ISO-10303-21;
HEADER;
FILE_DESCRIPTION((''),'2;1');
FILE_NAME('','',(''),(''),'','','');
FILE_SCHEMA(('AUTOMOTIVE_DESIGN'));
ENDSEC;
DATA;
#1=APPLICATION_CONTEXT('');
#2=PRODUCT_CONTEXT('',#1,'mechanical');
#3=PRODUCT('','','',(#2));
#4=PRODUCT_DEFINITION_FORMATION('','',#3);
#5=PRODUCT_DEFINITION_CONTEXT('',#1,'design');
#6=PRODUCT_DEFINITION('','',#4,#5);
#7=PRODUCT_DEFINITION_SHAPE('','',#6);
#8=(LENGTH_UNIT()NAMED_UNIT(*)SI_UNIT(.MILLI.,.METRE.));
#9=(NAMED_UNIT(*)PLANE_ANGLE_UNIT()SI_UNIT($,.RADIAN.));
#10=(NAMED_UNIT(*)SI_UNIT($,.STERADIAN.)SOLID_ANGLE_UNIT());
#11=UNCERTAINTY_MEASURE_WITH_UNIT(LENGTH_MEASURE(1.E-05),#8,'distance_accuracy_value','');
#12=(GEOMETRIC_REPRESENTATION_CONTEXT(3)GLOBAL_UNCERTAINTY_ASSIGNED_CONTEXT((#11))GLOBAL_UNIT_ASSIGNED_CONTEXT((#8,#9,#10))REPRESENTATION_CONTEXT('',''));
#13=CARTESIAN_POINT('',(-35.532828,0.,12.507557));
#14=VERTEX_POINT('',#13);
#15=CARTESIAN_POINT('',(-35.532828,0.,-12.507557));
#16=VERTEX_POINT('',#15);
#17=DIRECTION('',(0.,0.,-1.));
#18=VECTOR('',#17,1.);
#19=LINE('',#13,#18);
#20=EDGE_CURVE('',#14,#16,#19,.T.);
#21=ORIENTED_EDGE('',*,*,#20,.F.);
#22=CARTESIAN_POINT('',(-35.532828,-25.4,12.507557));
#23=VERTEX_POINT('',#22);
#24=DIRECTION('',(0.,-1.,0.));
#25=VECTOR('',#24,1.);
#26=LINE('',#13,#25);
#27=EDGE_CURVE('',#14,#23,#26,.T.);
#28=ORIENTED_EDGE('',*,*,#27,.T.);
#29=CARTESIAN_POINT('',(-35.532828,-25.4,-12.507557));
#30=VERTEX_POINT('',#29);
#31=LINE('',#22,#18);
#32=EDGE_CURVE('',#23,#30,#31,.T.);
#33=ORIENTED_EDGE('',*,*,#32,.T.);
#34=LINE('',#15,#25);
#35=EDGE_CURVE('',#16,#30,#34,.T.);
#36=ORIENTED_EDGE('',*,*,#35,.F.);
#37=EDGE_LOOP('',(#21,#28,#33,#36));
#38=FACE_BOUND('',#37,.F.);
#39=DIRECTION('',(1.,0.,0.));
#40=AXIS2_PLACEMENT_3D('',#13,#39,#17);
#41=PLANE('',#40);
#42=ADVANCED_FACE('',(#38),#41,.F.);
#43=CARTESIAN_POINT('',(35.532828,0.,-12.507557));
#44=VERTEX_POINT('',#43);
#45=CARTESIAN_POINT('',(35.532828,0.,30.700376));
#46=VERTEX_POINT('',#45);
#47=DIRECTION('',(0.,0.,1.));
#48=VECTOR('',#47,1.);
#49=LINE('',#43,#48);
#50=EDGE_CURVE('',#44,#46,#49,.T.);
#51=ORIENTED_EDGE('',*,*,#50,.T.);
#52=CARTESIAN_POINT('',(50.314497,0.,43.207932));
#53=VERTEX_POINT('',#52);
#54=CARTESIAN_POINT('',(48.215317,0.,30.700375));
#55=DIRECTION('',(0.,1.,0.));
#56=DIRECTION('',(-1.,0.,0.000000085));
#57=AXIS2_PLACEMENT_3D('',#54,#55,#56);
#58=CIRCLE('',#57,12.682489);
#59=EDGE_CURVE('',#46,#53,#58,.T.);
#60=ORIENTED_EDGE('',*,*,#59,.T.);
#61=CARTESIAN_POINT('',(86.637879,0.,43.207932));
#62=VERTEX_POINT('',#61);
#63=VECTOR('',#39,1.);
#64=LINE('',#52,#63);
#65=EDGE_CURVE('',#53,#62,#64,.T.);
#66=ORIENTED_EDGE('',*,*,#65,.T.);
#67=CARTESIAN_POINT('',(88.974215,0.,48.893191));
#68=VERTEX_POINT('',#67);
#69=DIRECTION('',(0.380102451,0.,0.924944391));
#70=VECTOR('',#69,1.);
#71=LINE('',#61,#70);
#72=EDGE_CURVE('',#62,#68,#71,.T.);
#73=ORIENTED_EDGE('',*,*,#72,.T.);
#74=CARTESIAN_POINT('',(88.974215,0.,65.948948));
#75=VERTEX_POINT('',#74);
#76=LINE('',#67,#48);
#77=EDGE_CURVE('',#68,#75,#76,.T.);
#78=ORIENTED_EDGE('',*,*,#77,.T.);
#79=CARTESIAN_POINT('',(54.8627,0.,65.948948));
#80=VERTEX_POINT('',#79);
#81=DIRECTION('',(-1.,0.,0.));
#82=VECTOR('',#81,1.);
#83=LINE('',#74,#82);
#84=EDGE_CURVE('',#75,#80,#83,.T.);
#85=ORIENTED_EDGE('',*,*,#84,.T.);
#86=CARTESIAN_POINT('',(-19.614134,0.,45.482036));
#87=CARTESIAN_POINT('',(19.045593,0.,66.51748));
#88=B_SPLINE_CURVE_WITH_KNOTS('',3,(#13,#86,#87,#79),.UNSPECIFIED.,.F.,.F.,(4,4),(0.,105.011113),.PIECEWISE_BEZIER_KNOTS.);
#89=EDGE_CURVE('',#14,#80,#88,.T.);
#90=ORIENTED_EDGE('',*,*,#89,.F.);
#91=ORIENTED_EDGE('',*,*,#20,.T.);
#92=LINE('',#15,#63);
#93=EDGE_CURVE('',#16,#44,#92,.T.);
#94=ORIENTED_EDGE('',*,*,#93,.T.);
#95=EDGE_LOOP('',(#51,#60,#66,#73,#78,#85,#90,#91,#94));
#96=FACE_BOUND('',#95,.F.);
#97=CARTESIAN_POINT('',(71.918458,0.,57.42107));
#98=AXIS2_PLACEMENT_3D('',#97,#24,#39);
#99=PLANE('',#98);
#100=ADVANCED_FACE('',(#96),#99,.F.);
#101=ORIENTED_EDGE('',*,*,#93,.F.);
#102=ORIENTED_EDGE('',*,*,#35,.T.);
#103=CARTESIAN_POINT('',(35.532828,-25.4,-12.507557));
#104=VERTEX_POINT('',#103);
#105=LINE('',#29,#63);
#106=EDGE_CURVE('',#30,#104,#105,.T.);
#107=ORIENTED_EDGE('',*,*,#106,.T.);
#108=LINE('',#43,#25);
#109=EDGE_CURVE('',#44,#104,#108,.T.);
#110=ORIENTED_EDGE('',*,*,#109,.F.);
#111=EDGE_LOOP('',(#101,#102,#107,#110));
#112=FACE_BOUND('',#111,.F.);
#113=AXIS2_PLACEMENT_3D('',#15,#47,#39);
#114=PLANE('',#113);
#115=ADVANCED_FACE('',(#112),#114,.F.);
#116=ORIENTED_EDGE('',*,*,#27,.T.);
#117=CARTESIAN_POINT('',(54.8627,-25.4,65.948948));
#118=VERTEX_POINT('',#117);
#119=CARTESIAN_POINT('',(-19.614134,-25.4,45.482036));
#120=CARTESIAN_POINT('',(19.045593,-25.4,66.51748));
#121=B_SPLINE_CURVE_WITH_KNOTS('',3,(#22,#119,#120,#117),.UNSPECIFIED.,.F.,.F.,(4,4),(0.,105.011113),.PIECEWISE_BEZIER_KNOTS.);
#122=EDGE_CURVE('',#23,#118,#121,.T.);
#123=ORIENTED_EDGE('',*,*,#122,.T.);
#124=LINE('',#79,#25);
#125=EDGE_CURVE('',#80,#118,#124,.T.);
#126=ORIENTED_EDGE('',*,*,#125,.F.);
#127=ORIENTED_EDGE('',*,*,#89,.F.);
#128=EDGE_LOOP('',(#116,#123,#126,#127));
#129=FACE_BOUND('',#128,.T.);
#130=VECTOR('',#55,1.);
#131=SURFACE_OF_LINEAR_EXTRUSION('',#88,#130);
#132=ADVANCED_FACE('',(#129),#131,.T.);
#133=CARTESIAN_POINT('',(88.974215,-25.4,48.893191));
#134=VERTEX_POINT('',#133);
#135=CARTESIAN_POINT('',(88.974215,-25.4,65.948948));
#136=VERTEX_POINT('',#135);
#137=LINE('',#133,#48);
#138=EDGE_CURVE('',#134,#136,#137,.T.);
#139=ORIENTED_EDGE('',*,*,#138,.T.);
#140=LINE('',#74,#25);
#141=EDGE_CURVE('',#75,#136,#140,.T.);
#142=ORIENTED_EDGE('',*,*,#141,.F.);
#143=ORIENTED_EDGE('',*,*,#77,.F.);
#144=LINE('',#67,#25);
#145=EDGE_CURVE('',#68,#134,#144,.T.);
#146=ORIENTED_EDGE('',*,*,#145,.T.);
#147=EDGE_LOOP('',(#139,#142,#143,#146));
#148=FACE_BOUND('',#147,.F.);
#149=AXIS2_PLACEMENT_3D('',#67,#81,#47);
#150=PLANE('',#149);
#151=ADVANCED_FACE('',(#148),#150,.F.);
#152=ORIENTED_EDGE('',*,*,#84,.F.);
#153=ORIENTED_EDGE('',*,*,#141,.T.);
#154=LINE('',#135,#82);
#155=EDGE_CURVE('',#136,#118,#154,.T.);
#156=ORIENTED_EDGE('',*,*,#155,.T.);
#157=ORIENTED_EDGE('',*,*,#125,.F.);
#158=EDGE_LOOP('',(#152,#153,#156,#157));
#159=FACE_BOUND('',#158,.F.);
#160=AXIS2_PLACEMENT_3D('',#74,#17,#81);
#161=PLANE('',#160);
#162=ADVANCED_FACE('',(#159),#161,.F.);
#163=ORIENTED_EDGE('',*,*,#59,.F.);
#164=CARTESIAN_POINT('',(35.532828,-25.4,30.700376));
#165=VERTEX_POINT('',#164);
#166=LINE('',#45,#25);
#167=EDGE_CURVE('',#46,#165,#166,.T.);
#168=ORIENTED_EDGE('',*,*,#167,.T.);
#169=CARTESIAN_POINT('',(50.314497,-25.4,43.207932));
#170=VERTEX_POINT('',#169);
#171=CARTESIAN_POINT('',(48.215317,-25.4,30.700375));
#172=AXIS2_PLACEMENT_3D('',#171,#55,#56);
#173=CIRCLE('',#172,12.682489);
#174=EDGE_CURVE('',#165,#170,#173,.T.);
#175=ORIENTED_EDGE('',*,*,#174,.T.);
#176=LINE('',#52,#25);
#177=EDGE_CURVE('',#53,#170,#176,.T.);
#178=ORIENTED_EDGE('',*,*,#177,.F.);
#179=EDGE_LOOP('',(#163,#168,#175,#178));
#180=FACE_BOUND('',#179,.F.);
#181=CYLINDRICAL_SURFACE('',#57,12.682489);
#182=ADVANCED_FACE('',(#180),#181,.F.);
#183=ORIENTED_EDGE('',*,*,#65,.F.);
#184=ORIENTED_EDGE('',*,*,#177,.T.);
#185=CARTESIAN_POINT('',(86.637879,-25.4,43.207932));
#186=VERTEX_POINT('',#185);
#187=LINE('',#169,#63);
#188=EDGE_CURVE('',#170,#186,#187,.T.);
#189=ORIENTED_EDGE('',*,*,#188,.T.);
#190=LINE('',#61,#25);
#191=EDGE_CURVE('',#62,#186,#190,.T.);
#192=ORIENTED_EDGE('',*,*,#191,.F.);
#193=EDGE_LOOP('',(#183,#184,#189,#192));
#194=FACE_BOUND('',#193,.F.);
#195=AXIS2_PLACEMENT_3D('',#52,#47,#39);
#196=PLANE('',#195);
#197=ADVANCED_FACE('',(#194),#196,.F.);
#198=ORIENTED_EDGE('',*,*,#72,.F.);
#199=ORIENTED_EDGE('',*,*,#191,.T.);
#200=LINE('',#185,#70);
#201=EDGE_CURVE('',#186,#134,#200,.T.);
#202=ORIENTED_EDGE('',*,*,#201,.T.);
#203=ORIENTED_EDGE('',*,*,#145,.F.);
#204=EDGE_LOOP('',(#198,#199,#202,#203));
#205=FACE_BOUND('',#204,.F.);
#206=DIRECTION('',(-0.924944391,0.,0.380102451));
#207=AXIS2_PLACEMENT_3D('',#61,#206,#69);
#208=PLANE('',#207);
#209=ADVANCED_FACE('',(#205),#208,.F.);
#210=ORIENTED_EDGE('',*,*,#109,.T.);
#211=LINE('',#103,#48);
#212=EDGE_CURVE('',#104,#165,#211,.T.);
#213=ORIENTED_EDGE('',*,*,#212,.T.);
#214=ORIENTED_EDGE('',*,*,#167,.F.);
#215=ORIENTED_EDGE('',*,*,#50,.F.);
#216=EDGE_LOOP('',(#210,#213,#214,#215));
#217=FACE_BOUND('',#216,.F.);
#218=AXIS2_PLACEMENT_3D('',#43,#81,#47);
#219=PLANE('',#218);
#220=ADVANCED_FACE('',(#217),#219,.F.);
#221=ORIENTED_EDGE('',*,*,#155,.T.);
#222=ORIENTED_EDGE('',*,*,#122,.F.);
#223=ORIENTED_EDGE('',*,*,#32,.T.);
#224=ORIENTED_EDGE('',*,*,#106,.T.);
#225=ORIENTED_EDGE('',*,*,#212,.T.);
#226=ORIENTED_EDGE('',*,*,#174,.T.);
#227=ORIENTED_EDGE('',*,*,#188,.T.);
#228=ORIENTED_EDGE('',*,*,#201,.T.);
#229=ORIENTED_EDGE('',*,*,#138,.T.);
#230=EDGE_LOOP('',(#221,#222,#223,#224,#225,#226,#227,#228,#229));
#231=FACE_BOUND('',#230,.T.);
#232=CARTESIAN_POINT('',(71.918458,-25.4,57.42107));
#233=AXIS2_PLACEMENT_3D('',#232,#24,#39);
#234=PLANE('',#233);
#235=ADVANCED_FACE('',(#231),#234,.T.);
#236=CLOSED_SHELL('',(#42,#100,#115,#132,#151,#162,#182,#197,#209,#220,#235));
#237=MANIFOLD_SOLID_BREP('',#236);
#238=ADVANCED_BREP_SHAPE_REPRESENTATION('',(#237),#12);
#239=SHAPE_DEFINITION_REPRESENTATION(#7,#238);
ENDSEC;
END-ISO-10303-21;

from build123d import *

# Parameters (mm, degrees)
F1_DEPTH = 25.4


with BuildPart() as f1:
    # F0 (on Front) → F1 (new body)
    with BuildSketch(Plane.XZ):
        Polygon((88.974215, 65.948948), (54.8627, 65.948948), (54.8627, 58.892507), (54.8627, 48.893191), (88.974215, 48.893191), align=None)
        with BuildLine():
            Line((19.848254, 12.507557), (35.532828, 12.507557))
            Line((35.532828, 12.507557), (35.532828, 30.700376))
            ThreePointArc((35.532828, 30.700376), (40.023166, 40.382017), (50.314497, 43.207932))
            Line((50.314497, 43.207932), (86.637879, 43.207932))
            Line((86.637879, 43.207932), (88.974215, 48.893191))
            Line((88.974215, 48.893191), (54.8627, 48.893191))
            Line((54.8627, 48.893191), (54.8627, 58.892507))
            Line((54.8627, 58.892507), (51.360797, 58.892507))
            ThreePointArc((51.360797, 58.892507), (29.301535, 51.841785), (19.848254, 30.700376))
            Line((19.848254, 30.700376), (19.848254, 12.507557))
        make_face()
        with BuildLine():
            add(Edge.make_bspline(
                [(-35.532828, 12.507557), (-19.614134, 45.482036), (19.045593, 66.51748), (54.8627, 65.948948)],
                knots=[0, 0, 0, 0, 105.011113, 105.011113, 105.011113, 105.011113], degree=3))
            Line((-35.532828, 12.507557), (19.848254, 12.507557))
            Line((19.848254, 12.507557), (19.848254, 30.700376))
            ThreePointArc((19.848254, 30.700376), (29.301535, 51.841785), (51.360797, 58.892507))
            Line((51.360797, 58.892507), (54.8627, 58.892507))
            Line((54.8627, 58.892507), (54.8627, 65.948948))
        make_face()
        Polygon((-35.532828, -12.507557), (35.532828, -12.507557), (35.532828, 12.507557), (19.848254, 12.507557), (-35.532828, 12.507557), align=None)
    extrude(amount=F1_DEPTH)


solid = f1.part
